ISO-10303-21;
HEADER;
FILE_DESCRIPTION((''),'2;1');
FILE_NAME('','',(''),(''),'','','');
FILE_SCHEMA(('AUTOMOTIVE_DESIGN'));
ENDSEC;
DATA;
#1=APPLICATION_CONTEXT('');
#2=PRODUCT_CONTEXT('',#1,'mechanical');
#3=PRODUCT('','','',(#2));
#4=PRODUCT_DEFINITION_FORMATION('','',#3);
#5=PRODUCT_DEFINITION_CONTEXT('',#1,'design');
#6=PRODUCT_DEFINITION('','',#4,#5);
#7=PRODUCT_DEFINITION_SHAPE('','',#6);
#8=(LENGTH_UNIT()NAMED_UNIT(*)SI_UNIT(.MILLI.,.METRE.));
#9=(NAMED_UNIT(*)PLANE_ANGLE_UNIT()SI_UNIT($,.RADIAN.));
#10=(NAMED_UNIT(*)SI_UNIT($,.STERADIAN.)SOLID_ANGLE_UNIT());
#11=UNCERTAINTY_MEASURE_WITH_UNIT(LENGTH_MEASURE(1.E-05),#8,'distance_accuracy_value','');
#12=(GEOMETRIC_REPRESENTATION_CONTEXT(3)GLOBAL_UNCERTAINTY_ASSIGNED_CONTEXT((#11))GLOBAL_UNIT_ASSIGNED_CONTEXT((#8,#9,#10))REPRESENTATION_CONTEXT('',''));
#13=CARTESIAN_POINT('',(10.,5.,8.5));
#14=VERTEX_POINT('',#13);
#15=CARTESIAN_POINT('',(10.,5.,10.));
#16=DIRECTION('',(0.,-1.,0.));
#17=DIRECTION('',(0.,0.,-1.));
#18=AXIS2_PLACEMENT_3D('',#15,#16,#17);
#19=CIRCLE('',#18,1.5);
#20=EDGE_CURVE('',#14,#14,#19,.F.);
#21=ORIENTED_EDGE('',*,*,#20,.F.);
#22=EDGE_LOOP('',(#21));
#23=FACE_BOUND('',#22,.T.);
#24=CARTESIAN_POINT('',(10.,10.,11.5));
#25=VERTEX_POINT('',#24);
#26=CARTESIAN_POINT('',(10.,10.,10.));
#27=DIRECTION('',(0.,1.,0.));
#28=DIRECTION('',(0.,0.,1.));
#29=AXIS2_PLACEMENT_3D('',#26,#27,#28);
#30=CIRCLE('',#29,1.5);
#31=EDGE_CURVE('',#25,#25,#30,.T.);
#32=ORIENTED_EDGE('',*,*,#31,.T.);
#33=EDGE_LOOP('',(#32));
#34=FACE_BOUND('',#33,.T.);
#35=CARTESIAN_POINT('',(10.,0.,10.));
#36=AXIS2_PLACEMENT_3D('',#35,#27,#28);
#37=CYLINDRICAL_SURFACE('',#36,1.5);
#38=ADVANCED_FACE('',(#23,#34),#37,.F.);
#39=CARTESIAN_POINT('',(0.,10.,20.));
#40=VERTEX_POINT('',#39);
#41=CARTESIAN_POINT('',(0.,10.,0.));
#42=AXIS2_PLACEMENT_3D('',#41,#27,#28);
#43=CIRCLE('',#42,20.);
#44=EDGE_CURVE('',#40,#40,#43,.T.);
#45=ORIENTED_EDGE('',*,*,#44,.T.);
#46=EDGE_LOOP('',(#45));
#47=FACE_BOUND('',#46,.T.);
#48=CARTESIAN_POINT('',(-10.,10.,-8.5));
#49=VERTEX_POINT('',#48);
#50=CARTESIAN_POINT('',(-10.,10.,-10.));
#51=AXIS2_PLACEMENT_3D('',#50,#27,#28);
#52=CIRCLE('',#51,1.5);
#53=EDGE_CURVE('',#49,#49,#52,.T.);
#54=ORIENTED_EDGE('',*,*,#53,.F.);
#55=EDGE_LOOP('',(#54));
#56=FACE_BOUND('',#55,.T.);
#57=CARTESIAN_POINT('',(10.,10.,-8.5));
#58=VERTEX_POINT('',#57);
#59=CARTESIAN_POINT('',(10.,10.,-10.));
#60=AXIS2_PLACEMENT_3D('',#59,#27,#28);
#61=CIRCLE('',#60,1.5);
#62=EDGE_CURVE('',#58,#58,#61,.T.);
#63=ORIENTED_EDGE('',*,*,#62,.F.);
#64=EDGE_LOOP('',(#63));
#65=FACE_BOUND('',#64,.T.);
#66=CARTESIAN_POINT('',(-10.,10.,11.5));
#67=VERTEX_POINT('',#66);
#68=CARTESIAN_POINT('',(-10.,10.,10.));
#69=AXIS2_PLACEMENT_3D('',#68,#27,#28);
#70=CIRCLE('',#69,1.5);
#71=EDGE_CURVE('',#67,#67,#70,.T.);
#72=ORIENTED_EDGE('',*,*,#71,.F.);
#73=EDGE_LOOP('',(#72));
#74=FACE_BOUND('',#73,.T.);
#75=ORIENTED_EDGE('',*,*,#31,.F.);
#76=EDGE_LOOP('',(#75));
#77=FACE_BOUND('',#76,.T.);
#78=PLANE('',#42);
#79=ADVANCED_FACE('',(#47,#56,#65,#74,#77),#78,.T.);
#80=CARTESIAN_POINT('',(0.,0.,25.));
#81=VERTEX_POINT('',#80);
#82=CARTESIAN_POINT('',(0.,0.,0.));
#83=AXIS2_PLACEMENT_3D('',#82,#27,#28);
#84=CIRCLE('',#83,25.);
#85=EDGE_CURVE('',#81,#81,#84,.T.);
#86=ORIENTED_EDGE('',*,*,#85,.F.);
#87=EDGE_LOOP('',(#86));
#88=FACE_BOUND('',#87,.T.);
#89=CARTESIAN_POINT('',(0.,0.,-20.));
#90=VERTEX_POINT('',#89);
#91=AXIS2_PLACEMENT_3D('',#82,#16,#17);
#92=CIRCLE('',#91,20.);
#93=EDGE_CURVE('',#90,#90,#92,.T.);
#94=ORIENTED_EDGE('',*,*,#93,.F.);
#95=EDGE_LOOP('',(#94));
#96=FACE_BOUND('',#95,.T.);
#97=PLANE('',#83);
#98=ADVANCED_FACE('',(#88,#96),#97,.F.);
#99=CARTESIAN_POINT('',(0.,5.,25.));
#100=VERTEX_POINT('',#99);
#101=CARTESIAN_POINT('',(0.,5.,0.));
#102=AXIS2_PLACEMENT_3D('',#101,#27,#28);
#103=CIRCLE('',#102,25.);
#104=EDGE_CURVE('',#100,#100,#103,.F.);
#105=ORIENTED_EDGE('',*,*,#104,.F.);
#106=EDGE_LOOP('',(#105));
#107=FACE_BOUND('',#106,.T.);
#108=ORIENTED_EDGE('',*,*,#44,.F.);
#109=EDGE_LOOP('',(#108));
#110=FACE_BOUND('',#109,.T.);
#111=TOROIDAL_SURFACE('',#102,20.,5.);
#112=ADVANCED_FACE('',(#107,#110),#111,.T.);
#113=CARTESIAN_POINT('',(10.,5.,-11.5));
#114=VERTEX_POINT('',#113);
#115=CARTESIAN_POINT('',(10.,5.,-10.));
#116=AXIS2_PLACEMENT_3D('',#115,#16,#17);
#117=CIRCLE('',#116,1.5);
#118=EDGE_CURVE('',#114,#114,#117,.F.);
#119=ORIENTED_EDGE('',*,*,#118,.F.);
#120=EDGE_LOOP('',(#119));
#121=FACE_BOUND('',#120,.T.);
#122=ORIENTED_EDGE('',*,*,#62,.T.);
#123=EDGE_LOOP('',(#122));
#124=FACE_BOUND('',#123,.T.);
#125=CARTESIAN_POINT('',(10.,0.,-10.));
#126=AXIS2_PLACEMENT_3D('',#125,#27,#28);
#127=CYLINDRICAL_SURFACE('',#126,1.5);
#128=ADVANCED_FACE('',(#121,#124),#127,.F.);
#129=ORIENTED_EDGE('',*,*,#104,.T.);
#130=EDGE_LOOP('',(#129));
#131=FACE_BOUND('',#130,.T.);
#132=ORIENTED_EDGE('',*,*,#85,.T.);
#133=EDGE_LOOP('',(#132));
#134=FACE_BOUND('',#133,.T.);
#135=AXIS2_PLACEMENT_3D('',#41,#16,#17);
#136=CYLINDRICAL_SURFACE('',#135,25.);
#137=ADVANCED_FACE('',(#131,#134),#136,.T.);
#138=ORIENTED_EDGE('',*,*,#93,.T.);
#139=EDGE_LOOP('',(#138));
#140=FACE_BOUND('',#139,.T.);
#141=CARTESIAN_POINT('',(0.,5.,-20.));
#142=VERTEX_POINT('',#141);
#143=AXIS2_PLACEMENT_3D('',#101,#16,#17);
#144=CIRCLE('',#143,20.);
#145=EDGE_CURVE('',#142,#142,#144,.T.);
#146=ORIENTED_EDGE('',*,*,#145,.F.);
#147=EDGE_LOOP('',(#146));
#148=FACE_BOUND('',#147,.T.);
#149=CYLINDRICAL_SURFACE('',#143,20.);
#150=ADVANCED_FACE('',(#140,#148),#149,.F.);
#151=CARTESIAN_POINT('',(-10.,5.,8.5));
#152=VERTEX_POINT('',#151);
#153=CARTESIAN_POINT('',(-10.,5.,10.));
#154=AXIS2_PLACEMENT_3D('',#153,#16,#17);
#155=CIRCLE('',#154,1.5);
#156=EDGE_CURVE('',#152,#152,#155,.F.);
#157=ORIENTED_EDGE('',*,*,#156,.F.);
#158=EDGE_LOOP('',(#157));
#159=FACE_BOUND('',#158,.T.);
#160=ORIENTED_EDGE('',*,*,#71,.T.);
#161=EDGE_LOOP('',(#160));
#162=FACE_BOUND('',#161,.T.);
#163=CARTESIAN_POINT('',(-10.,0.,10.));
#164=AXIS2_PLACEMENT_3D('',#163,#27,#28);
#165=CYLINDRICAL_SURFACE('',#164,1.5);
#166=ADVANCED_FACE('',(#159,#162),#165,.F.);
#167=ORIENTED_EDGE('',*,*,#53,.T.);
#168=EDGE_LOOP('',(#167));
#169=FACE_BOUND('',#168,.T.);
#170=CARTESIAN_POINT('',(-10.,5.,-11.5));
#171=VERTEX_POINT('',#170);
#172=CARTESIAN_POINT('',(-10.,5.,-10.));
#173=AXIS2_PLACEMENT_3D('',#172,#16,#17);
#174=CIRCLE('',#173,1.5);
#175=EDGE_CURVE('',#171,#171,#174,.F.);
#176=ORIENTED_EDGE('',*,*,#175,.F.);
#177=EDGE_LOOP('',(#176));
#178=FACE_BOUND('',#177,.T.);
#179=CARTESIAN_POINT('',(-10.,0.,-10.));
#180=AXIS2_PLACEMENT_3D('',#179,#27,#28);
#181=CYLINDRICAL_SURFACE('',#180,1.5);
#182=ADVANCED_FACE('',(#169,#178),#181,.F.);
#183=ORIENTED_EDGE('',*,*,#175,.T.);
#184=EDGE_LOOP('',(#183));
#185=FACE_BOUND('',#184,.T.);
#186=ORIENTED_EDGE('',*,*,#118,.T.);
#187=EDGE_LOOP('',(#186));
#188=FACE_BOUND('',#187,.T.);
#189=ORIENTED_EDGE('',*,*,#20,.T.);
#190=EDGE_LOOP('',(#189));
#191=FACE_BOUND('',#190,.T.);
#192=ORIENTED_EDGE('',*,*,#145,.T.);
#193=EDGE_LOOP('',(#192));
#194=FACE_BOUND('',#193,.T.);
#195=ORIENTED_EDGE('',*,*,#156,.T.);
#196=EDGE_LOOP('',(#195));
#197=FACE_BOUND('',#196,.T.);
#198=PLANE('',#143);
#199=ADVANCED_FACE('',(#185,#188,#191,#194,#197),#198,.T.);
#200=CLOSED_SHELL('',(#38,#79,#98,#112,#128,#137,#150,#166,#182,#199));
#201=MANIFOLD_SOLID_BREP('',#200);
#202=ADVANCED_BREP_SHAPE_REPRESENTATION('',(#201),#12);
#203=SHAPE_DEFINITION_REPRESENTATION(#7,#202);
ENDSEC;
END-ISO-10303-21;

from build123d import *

# Parameters (mm, degrees)
SKETCH1_R           = 25
BOSS_EXTRUDE1_DEPTH = 10
FILLET1_R           = 5
SKETCH2_R           = 1.5
CUT_EXTRUDE1_DEPTH  = 37.74234621
SKETCH3_R           = 20
CUT_EXTRUDE2_DEPTH  = 5


with BuildPart() as part:
    # Sketch1 → Boss-Extrude1 (new body)
    with BuildSketch(Plane(origin=(0, 0, 0), x_dir=(1, 0, 0), z_dir=(0, 1, 0))):
        with Locations(Location((0, 0, 0), (0, 0, 270))):
            Circle(SKETCH1_R)
    extrude(amount=BOSS_EXTRUDE1_DEPTH)

    # Fillet1
    fillet1_edges = [part.edges().sort_by_distance(p)[0] for p in [
        (0, 10, -25),
    ]]
    fillet(fillet1_edges, radius=FILLET1_R)

    # Sketch2 → Cut-Extrude1 (cut, through all)
    with BuildSketch(Plane(origin=(0, 10, 0), x_dir=(1, 0, 0), z_dir=(0, 1, 0))):
        with Locations(Location((-10, 10, 0), (0, 0, 270))):
            Circle(SKETCH2_R)
        with Locations(Location((10, 10, 0), (0, 0, 270))):
            Circle(SKETCH2_R)
        with Locations(Location((-10, -10, 0), (0, 0, 270))):
            Circle(SKETCH2_R)
        with Locations(Location((10, -10, 0), (0, 0, 270))):
            Circle(SKETCH2_R)
    extrude(amount=-CUT_EXTRUDE1_DEPTH, mode=Mode.SUBTRACT)

    # Sketch3 → Cut-Extrude2 (cut)
    with BuildSketch(Plane.XZ):
        with Locations(Location((0, 0, 0), (0, 0, 270))):
            Circle(SKETCH3_R)
    extrude(amount=-CUT_EXTRUDE2_DEPTH, mode=Mode.SUBTRACT)


solid = part.part
